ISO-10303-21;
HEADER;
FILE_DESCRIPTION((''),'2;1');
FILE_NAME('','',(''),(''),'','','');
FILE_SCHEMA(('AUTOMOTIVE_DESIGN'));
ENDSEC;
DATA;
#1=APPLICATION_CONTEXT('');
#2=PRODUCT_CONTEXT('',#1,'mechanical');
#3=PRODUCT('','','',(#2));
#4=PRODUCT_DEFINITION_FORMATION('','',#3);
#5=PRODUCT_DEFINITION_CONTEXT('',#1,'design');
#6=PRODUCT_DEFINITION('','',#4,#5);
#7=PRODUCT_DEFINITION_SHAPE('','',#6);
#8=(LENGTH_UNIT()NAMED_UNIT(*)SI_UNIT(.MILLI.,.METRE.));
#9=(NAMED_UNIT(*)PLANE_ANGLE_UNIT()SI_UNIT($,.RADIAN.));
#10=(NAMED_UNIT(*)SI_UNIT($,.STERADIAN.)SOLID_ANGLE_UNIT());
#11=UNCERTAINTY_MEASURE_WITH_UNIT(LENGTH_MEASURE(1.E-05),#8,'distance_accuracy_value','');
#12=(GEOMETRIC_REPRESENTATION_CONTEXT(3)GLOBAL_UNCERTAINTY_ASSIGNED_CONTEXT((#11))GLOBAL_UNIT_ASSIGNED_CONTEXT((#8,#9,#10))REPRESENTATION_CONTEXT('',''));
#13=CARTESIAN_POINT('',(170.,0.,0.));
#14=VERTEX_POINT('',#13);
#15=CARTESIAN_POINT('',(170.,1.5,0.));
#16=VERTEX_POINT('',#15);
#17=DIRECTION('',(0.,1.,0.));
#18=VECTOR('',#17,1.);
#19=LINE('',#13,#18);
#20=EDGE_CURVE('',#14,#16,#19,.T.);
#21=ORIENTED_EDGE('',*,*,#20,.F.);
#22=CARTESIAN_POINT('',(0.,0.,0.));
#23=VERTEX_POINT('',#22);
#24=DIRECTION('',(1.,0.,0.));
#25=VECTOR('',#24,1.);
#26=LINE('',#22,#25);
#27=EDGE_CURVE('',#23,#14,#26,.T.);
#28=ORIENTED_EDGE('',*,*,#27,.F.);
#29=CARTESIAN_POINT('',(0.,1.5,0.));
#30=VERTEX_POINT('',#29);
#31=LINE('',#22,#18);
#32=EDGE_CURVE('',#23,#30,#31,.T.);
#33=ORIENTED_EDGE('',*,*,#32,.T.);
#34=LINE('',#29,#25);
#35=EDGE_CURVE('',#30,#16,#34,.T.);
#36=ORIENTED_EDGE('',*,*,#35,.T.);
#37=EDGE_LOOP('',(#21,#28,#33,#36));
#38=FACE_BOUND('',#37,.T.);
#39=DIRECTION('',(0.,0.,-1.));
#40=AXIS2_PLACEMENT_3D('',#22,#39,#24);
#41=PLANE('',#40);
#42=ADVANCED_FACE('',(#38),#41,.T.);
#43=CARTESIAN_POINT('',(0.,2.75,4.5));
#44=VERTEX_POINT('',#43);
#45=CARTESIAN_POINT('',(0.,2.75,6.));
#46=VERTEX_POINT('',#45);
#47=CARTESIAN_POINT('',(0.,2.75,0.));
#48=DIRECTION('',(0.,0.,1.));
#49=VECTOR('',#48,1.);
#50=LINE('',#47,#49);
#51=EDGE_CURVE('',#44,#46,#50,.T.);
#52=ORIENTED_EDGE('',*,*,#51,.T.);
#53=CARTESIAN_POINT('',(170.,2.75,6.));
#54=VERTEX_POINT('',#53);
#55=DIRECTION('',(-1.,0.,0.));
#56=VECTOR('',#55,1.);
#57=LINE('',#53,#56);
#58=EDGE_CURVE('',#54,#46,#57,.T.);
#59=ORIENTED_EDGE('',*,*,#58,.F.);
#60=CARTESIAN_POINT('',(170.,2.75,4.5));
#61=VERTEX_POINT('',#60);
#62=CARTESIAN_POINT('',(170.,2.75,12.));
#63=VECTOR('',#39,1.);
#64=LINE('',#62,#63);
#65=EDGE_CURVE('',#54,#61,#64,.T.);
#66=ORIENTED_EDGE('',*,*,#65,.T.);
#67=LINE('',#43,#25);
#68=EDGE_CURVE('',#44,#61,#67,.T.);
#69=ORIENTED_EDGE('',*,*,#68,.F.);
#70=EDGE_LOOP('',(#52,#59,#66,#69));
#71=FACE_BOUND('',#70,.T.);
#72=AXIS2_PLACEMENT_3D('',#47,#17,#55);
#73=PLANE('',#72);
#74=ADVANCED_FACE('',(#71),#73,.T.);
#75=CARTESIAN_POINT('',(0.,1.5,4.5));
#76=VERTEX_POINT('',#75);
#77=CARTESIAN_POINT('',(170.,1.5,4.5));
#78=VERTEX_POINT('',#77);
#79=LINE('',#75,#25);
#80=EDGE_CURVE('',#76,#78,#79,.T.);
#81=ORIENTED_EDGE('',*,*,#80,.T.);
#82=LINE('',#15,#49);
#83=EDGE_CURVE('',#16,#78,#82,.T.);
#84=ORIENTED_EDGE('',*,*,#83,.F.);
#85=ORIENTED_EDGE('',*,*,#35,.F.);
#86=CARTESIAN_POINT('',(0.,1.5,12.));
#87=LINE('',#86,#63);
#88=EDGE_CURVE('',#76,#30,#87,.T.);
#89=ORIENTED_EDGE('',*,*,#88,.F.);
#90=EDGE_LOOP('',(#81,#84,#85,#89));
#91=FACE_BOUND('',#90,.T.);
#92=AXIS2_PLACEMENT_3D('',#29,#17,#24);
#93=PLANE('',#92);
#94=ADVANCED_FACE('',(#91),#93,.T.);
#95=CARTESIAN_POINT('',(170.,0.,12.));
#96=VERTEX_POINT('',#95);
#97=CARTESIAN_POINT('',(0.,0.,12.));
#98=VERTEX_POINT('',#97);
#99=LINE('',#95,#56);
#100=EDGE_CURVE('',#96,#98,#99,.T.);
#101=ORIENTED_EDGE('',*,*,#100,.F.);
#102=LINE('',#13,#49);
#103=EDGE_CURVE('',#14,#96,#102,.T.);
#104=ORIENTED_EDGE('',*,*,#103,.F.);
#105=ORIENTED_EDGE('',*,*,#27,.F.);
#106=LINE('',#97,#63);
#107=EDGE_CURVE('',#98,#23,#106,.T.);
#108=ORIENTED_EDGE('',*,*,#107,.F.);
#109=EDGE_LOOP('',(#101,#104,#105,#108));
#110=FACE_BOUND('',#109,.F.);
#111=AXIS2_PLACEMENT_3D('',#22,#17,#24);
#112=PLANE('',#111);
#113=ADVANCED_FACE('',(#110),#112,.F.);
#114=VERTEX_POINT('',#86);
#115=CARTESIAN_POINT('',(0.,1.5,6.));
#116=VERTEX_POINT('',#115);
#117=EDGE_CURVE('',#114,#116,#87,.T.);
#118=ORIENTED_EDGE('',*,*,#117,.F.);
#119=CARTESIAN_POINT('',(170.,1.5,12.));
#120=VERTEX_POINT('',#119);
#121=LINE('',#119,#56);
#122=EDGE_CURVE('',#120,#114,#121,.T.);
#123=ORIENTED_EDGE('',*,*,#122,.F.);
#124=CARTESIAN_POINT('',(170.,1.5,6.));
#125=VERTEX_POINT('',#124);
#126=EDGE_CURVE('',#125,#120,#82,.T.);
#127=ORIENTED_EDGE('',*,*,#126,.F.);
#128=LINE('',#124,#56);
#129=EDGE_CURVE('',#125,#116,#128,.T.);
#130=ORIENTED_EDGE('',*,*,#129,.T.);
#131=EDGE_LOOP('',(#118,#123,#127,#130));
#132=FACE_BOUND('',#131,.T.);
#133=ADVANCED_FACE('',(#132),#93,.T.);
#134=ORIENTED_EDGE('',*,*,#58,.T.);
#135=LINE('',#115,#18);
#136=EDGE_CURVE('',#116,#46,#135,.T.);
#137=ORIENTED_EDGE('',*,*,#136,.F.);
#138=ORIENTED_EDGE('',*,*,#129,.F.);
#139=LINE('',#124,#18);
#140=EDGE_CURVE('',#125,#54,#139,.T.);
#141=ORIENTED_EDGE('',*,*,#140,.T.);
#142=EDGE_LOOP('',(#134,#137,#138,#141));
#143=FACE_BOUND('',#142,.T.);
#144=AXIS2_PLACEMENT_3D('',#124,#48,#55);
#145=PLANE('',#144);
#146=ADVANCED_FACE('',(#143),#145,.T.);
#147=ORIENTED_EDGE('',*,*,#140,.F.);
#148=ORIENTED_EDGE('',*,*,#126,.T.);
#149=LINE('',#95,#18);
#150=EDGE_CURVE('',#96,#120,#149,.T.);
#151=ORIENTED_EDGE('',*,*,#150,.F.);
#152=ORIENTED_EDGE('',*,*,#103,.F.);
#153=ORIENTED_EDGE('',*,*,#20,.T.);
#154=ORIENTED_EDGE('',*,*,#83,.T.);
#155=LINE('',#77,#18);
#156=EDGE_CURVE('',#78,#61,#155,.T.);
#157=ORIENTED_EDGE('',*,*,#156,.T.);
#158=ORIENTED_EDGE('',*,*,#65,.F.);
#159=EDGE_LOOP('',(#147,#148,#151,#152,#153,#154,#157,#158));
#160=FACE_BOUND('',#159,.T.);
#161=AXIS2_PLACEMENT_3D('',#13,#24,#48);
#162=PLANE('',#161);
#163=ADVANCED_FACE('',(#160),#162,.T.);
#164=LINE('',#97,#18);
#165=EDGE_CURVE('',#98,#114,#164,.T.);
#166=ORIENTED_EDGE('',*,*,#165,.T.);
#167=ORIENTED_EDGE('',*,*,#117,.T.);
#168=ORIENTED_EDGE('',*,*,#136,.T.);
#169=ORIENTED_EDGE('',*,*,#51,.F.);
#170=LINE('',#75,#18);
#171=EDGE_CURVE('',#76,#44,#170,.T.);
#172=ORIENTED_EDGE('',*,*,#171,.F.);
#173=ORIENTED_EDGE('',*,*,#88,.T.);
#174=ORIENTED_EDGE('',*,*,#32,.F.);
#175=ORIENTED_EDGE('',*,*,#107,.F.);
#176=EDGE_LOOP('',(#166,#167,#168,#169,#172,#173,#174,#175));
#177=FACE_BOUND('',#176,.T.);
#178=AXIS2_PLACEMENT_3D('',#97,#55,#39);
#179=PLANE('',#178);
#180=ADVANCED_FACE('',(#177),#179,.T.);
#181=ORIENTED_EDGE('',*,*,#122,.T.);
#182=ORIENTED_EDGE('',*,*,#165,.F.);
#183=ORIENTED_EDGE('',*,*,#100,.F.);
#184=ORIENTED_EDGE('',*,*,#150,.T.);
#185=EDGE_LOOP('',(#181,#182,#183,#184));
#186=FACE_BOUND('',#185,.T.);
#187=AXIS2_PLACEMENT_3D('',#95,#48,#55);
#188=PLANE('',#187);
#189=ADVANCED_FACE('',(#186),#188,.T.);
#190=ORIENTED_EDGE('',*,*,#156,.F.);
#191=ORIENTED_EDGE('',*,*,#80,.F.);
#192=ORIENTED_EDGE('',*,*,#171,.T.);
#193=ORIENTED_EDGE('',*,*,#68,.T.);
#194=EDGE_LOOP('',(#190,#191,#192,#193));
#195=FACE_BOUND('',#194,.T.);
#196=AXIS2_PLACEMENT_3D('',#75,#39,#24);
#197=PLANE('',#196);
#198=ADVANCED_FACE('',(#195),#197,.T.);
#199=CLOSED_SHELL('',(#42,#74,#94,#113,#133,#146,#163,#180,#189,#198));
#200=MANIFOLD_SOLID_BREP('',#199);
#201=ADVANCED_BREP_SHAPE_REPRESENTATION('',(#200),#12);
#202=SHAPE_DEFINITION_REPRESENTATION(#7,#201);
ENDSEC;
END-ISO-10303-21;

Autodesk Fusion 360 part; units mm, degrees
sketch "Sketch1" plane through (0, 0, 0) normal (0, 1, 0) x (1, 0, 0)
  line L0 (0, 0) -> (170, 0)
  line L1 (170, 0) -> (170, -12)
  line L2 (170, -12) -> (0, -12)
  line L3 (0, -12) -> (0, 0)
  dimension "d1" = 170
  dimension "d2" = 12
extrude "Extrude1" add sketch "Sketch1" along normal blind 1.5
sketch "Sketch2" plane through (0, 1.5, 0) normal (0, 1, 0) x (-1, 0, 0)
  line L0 (0, 12) -> (-170, 12)
  line L1 (-170, 12) -> (-170, 0)
  line L2 (-170, 0) -> (0, 0)
  line L3 (0, 0) -> (0, 12)
  line L4 (-170, 6) -> (0, 6)
  line L5 (0, 6) -> (0, 4.5)
  line L6 (0, 4.5) -> (-170, 4.5)
  line L7 (-170, 4.5) -> (-170, 6)
  dimension "d5" = 1.5
extrude "Extrude2" add sketch "Sketch2" along normal blind 1.25 contours L1 L3 L4 L5 L6 L7
equation "d1 = 125 mm + 40 mm + 5 mm"
